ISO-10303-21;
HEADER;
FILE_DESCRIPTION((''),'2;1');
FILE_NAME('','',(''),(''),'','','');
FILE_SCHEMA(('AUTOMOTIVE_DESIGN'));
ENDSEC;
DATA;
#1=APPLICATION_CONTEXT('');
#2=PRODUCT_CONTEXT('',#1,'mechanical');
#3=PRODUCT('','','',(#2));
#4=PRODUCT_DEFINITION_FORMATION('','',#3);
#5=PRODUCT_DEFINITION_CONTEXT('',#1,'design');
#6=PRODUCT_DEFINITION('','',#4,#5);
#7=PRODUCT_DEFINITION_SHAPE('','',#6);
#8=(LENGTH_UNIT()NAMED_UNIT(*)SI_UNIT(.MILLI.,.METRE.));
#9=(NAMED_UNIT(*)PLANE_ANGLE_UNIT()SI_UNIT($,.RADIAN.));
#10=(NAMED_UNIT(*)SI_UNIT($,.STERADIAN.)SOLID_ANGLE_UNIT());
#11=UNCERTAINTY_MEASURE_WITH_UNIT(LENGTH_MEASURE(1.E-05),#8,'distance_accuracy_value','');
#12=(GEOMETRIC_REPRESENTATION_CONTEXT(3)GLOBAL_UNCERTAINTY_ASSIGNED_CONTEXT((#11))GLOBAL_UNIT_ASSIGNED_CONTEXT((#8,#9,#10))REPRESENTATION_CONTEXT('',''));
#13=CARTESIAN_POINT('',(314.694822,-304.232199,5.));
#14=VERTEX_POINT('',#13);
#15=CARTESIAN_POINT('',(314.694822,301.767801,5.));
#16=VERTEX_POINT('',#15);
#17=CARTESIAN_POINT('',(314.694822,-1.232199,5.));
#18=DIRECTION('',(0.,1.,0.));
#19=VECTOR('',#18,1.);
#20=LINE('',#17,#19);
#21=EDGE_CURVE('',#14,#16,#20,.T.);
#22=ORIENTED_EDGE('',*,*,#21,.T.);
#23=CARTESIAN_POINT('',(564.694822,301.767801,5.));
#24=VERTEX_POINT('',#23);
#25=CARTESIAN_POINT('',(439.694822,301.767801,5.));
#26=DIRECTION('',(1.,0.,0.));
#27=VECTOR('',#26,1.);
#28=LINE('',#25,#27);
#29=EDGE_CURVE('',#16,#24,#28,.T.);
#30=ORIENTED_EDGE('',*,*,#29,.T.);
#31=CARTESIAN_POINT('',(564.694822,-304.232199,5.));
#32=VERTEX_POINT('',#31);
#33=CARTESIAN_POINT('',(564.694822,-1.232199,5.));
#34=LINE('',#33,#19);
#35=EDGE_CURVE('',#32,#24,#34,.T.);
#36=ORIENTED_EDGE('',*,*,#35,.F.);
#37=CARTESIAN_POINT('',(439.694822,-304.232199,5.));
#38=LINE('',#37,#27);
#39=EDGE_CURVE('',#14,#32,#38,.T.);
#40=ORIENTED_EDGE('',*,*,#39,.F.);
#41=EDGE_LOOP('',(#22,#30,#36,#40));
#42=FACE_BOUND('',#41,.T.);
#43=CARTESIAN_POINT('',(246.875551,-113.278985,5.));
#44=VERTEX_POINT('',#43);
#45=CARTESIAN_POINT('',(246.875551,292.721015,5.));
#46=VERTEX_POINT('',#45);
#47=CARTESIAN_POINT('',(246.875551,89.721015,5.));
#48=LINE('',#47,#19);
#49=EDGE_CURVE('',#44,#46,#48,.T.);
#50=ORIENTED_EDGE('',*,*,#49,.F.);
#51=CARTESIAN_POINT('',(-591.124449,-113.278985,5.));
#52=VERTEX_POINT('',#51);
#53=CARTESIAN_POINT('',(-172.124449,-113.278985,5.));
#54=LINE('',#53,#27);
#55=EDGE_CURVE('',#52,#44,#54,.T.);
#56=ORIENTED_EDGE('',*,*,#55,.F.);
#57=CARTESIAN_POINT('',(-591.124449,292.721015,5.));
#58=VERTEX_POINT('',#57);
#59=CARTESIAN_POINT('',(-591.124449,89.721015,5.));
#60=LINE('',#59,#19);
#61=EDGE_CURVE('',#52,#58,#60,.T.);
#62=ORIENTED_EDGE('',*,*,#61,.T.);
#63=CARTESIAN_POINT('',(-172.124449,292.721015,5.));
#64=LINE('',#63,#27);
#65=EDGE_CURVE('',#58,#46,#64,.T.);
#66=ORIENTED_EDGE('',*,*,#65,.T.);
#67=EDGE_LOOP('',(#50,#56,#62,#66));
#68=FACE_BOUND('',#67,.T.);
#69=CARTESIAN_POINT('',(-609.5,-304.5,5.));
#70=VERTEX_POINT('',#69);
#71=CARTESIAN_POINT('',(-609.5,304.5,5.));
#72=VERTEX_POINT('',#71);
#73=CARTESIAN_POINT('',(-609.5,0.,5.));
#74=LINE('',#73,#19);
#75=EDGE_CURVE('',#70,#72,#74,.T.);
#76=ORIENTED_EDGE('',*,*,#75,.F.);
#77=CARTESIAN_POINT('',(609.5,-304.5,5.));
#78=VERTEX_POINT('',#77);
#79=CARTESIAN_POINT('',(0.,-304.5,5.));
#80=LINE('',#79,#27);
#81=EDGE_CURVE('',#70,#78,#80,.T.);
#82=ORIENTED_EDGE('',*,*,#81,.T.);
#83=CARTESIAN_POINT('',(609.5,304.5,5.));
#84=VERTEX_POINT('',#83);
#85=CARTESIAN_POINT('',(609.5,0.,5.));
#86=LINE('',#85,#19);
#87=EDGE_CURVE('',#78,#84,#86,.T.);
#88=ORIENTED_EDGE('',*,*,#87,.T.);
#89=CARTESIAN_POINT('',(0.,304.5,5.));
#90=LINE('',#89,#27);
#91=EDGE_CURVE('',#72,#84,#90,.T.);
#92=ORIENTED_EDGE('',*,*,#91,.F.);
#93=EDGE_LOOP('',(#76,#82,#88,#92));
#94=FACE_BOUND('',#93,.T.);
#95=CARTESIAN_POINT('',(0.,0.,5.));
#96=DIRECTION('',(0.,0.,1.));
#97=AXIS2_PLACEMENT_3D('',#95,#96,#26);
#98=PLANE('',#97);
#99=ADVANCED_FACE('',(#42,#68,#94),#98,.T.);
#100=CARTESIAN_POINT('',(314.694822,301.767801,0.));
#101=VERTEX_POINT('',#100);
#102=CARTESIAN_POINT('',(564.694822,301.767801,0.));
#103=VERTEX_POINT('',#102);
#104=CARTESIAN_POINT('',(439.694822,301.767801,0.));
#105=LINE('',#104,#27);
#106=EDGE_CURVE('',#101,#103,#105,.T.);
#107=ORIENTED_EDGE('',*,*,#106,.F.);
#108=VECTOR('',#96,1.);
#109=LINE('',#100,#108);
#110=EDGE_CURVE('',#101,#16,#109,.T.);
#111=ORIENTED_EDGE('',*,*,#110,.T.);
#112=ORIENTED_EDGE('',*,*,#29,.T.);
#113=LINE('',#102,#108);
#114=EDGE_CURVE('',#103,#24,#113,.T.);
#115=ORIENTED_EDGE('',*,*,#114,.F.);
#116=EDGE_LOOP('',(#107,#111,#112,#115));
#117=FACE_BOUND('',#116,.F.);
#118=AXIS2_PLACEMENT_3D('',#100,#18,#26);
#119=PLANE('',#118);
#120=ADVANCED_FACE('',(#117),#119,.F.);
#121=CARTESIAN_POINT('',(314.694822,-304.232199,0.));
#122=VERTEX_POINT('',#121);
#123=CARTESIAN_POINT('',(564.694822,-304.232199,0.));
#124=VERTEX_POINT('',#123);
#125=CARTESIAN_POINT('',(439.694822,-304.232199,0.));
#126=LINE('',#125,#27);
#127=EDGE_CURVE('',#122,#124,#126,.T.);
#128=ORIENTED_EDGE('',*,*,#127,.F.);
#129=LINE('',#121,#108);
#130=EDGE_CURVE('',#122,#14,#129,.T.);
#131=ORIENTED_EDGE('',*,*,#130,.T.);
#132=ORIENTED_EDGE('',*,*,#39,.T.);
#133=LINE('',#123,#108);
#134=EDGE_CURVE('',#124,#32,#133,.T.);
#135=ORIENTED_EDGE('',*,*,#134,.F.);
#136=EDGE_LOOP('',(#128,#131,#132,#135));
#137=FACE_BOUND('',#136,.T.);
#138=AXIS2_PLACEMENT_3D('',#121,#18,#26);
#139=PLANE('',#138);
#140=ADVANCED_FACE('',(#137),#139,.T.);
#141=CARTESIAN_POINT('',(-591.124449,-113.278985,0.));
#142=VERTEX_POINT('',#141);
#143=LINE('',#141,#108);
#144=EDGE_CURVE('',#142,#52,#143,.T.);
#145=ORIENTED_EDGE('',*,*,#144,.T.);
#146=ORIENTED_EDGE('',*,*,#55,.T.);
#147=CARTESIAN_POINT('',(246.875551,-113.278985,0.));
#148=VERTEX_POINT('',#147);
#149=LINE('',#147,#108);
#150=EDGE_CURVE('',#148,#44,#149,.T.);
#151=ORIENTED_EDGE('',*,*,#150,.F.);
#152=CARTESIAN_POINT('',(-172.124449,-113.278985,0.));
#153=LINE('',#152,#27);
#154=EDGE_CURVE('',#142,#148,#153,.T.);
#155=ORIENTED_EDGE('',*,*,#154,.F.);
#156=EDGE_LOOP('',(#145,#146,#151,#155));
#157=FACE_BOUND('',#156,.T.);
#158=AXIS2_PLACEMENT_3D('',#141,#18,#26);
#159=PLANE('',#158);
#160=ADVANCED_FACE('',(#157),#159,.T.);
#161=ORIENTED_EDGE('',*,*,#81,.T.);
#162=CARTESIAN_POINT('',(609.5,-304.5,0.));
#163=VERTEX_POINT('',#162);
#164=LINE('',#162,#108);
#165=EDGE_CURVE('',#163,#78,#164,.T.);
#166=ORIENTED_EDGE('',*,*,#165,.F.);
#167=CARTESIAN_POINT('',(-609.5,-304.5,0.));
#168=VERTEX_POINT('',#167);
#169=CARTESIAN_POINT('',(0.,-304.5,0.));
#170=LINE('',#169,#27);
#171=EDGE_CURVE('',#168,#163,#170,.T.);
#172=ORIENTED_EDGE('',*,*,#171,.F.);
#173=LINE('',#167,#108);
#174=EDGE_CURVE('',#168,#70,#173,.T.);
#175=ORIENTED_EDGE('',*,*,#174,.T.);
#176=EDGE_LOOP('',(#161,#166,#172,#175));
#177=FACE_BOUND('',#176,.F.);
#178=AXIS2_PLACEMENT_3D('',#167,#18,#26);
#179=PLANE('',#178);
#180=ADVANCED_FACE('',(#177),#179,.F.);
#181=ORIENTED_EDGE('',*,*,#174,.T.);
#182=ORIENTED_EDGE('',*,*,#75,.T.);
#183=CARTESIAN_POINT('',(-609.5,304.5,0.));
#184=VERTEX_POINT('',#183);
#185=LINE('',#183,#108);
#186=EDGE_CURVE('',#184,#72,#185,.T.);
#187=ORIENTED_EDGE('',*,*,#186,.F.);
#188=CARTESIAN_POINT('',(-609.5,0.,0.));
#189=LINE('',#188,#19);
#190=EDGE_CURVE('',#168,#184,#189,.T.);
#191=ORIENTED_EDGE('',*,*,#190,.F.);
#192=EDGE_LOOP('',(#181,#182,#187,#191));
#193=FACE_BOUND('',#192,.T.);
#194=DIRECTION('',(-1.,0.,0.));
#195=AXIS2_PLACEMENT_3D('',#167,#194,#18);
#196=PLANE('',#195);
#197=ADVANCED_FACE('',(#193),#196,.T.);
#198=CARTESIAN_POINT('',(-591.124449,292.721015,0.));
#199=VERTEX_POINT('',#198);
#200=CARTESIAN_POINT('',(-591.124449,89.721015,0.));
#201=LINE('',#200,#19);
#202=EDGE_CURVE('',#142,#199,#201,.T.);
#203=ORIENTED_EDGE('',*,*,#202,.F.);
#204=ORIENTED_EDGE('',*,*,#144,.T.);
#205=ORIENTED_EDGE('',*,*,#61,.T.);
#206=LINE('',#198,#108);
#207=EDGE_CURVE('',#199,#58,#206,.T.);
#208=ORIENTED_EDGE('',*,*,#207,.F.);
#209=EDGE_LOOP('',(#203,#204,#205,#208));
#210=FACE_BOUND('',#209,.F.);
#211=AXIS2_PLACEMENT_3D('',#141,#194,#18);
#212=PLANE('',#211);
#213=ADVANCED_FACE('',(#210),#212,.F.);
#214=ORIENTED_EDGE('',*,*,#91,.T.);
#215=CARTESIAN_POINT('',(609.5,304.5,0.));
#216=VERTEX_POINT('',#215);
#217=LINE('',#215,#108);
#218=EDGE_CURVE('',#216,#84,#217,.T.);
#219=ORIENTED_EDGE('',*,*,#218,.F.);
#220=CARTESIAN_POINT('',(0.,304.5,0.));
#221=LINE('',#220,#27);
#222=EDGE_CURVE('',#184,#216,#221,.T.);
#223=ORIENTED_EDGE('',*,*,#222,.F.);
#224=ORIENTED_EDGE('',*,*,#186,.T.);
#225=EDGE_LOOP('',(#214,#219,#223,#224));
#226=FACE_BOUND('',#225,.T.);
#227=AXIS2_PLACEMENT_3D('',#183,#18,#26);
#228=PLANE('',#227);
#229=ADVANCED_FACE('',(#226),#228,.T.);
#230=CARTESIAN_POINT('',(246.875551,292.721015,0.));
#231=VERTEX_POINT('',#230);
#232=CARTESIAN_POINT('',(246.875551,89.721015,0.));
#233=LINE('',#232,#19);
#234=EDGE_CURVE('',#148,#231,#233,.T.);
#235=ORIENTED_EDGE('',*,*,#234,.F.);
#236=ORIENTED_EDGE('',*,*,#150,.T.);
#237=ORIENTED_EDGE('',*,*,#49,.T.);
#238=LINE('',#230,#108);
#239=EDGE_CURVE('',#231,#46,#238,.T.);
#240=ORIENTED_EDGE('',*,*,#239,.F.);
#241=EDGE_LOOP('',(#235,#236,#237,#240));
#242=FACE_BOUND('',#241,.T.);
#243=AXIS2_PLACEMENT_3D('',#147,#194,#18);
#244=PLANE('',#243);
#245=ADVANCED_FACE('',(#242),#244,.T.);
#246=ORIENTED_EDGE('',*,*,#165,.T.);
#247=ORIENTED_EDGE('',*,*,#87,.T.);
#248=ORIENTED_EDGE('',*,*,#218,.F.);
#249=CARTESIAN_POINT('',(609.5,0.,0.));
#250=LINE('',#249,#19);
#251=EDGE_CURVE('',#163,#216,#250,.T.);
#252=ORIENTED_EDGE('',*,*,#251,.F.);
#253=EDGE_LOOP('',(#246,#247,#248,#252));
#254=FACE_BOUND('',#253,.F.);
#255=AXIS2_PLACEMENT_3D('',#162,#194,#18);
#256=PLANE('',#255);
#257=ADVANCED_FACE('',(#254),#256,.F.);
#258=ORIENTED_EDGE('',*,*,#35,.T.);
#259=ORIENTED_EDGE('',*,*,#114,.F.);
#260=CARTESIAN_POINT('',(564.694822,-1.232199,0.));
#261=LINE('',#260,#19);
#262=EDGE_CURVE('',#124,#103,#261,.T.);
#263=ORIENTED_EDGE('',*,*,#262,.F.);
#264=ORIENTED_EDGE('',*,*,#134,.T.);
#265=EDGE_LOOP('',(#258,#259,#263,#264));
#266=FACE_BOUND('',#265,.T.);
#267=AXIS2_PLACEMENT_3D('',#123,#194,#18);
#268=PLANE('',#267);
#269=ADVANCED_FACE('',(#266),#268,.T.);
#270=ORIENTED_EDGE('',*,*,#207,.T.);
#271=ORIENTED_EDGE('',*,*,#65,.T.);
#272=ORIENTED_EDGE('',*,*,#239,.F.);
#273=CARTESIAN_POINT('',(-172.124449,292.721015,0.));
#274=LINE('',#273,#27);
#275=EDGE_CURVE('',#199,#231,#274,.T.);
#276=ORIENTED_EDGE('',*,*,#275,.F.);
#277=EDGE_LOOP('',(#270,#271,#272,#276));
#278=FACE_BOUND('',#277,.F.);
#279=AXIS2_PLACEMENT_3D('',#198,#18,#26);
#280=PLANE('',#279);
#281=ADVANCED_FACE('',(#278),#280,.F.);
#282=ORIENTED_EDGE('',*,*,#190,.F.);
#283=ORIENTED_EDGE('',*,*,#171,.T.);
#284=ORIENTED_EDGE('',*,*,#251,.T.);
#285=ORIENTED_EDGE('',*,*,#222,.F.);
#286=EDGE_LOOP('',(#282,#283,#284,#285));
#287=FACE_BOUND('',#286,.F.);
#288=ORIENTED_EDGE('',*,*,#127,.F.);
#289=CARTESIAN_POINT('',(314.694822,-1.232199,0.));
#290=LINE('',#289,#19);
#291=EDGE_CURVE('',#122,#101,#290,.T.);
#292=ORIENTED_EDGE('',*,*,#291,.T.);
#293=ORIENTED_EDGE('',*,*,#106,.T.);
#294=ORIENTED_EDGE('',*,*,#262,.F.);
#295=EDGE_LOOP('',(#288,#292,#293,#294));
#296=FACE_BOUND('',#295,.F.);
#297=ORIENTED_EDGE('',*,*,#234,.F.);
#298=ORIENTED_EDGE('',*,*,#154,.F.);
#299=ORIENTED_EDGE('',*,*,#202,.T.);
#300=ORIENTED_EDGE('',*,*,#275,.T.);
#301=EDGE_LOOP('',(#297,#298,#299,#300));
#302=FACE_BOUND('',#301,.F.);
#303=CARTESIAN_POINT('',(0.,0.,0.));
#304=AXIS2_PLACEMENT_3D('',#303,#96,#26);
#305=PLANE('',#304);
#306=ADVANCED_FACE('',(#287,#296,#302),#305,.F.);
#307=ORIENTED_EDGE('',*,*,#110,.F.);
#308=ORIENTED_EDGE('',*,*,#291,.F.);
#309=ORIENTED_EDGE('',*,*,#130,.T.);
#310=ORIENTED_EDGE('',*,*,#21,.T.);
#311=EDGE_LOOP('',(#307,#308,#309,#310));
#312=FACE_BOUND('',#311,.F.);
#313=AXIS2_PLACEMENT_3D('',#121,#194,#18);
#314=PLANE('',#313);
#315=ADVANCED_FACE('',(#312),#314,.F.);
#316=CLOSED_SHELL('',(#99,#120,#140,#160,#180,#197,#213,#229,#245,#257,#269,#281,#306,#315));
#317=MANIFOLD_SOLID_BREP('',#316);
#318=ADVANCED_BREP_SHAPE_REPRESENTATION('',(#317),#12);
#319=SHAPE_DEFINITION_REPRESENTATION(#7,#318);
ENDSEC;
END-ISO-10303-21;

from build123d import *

# Parameters (mm, degrees)
F0_W     = 1219
F0_H     = 609
F0_W_2   = 250
F0_H_2   = 606
F0_W_3   = 838
F0_H_3   = 406
F1_DEPTH = 5


with BuildPart() as f1:
    # F0 (on Top) → F1 (new body)
    with BuildSketch(Plane.XY):
        Rectangle(F0_W, F0_H)
        with Locations((439.694822, -1.232199)):
            Rectangle(F0_W_2, F0_H_2, mode=Mode.SUBTRACT)
        with Locations((-172.124449, 89.721015)):
            Rectangle(F0_W_3, F0_H_3, mode=Mode.SUBTRACT)
    extrude(amount=F1_DEPTH)


solid = f1.part
